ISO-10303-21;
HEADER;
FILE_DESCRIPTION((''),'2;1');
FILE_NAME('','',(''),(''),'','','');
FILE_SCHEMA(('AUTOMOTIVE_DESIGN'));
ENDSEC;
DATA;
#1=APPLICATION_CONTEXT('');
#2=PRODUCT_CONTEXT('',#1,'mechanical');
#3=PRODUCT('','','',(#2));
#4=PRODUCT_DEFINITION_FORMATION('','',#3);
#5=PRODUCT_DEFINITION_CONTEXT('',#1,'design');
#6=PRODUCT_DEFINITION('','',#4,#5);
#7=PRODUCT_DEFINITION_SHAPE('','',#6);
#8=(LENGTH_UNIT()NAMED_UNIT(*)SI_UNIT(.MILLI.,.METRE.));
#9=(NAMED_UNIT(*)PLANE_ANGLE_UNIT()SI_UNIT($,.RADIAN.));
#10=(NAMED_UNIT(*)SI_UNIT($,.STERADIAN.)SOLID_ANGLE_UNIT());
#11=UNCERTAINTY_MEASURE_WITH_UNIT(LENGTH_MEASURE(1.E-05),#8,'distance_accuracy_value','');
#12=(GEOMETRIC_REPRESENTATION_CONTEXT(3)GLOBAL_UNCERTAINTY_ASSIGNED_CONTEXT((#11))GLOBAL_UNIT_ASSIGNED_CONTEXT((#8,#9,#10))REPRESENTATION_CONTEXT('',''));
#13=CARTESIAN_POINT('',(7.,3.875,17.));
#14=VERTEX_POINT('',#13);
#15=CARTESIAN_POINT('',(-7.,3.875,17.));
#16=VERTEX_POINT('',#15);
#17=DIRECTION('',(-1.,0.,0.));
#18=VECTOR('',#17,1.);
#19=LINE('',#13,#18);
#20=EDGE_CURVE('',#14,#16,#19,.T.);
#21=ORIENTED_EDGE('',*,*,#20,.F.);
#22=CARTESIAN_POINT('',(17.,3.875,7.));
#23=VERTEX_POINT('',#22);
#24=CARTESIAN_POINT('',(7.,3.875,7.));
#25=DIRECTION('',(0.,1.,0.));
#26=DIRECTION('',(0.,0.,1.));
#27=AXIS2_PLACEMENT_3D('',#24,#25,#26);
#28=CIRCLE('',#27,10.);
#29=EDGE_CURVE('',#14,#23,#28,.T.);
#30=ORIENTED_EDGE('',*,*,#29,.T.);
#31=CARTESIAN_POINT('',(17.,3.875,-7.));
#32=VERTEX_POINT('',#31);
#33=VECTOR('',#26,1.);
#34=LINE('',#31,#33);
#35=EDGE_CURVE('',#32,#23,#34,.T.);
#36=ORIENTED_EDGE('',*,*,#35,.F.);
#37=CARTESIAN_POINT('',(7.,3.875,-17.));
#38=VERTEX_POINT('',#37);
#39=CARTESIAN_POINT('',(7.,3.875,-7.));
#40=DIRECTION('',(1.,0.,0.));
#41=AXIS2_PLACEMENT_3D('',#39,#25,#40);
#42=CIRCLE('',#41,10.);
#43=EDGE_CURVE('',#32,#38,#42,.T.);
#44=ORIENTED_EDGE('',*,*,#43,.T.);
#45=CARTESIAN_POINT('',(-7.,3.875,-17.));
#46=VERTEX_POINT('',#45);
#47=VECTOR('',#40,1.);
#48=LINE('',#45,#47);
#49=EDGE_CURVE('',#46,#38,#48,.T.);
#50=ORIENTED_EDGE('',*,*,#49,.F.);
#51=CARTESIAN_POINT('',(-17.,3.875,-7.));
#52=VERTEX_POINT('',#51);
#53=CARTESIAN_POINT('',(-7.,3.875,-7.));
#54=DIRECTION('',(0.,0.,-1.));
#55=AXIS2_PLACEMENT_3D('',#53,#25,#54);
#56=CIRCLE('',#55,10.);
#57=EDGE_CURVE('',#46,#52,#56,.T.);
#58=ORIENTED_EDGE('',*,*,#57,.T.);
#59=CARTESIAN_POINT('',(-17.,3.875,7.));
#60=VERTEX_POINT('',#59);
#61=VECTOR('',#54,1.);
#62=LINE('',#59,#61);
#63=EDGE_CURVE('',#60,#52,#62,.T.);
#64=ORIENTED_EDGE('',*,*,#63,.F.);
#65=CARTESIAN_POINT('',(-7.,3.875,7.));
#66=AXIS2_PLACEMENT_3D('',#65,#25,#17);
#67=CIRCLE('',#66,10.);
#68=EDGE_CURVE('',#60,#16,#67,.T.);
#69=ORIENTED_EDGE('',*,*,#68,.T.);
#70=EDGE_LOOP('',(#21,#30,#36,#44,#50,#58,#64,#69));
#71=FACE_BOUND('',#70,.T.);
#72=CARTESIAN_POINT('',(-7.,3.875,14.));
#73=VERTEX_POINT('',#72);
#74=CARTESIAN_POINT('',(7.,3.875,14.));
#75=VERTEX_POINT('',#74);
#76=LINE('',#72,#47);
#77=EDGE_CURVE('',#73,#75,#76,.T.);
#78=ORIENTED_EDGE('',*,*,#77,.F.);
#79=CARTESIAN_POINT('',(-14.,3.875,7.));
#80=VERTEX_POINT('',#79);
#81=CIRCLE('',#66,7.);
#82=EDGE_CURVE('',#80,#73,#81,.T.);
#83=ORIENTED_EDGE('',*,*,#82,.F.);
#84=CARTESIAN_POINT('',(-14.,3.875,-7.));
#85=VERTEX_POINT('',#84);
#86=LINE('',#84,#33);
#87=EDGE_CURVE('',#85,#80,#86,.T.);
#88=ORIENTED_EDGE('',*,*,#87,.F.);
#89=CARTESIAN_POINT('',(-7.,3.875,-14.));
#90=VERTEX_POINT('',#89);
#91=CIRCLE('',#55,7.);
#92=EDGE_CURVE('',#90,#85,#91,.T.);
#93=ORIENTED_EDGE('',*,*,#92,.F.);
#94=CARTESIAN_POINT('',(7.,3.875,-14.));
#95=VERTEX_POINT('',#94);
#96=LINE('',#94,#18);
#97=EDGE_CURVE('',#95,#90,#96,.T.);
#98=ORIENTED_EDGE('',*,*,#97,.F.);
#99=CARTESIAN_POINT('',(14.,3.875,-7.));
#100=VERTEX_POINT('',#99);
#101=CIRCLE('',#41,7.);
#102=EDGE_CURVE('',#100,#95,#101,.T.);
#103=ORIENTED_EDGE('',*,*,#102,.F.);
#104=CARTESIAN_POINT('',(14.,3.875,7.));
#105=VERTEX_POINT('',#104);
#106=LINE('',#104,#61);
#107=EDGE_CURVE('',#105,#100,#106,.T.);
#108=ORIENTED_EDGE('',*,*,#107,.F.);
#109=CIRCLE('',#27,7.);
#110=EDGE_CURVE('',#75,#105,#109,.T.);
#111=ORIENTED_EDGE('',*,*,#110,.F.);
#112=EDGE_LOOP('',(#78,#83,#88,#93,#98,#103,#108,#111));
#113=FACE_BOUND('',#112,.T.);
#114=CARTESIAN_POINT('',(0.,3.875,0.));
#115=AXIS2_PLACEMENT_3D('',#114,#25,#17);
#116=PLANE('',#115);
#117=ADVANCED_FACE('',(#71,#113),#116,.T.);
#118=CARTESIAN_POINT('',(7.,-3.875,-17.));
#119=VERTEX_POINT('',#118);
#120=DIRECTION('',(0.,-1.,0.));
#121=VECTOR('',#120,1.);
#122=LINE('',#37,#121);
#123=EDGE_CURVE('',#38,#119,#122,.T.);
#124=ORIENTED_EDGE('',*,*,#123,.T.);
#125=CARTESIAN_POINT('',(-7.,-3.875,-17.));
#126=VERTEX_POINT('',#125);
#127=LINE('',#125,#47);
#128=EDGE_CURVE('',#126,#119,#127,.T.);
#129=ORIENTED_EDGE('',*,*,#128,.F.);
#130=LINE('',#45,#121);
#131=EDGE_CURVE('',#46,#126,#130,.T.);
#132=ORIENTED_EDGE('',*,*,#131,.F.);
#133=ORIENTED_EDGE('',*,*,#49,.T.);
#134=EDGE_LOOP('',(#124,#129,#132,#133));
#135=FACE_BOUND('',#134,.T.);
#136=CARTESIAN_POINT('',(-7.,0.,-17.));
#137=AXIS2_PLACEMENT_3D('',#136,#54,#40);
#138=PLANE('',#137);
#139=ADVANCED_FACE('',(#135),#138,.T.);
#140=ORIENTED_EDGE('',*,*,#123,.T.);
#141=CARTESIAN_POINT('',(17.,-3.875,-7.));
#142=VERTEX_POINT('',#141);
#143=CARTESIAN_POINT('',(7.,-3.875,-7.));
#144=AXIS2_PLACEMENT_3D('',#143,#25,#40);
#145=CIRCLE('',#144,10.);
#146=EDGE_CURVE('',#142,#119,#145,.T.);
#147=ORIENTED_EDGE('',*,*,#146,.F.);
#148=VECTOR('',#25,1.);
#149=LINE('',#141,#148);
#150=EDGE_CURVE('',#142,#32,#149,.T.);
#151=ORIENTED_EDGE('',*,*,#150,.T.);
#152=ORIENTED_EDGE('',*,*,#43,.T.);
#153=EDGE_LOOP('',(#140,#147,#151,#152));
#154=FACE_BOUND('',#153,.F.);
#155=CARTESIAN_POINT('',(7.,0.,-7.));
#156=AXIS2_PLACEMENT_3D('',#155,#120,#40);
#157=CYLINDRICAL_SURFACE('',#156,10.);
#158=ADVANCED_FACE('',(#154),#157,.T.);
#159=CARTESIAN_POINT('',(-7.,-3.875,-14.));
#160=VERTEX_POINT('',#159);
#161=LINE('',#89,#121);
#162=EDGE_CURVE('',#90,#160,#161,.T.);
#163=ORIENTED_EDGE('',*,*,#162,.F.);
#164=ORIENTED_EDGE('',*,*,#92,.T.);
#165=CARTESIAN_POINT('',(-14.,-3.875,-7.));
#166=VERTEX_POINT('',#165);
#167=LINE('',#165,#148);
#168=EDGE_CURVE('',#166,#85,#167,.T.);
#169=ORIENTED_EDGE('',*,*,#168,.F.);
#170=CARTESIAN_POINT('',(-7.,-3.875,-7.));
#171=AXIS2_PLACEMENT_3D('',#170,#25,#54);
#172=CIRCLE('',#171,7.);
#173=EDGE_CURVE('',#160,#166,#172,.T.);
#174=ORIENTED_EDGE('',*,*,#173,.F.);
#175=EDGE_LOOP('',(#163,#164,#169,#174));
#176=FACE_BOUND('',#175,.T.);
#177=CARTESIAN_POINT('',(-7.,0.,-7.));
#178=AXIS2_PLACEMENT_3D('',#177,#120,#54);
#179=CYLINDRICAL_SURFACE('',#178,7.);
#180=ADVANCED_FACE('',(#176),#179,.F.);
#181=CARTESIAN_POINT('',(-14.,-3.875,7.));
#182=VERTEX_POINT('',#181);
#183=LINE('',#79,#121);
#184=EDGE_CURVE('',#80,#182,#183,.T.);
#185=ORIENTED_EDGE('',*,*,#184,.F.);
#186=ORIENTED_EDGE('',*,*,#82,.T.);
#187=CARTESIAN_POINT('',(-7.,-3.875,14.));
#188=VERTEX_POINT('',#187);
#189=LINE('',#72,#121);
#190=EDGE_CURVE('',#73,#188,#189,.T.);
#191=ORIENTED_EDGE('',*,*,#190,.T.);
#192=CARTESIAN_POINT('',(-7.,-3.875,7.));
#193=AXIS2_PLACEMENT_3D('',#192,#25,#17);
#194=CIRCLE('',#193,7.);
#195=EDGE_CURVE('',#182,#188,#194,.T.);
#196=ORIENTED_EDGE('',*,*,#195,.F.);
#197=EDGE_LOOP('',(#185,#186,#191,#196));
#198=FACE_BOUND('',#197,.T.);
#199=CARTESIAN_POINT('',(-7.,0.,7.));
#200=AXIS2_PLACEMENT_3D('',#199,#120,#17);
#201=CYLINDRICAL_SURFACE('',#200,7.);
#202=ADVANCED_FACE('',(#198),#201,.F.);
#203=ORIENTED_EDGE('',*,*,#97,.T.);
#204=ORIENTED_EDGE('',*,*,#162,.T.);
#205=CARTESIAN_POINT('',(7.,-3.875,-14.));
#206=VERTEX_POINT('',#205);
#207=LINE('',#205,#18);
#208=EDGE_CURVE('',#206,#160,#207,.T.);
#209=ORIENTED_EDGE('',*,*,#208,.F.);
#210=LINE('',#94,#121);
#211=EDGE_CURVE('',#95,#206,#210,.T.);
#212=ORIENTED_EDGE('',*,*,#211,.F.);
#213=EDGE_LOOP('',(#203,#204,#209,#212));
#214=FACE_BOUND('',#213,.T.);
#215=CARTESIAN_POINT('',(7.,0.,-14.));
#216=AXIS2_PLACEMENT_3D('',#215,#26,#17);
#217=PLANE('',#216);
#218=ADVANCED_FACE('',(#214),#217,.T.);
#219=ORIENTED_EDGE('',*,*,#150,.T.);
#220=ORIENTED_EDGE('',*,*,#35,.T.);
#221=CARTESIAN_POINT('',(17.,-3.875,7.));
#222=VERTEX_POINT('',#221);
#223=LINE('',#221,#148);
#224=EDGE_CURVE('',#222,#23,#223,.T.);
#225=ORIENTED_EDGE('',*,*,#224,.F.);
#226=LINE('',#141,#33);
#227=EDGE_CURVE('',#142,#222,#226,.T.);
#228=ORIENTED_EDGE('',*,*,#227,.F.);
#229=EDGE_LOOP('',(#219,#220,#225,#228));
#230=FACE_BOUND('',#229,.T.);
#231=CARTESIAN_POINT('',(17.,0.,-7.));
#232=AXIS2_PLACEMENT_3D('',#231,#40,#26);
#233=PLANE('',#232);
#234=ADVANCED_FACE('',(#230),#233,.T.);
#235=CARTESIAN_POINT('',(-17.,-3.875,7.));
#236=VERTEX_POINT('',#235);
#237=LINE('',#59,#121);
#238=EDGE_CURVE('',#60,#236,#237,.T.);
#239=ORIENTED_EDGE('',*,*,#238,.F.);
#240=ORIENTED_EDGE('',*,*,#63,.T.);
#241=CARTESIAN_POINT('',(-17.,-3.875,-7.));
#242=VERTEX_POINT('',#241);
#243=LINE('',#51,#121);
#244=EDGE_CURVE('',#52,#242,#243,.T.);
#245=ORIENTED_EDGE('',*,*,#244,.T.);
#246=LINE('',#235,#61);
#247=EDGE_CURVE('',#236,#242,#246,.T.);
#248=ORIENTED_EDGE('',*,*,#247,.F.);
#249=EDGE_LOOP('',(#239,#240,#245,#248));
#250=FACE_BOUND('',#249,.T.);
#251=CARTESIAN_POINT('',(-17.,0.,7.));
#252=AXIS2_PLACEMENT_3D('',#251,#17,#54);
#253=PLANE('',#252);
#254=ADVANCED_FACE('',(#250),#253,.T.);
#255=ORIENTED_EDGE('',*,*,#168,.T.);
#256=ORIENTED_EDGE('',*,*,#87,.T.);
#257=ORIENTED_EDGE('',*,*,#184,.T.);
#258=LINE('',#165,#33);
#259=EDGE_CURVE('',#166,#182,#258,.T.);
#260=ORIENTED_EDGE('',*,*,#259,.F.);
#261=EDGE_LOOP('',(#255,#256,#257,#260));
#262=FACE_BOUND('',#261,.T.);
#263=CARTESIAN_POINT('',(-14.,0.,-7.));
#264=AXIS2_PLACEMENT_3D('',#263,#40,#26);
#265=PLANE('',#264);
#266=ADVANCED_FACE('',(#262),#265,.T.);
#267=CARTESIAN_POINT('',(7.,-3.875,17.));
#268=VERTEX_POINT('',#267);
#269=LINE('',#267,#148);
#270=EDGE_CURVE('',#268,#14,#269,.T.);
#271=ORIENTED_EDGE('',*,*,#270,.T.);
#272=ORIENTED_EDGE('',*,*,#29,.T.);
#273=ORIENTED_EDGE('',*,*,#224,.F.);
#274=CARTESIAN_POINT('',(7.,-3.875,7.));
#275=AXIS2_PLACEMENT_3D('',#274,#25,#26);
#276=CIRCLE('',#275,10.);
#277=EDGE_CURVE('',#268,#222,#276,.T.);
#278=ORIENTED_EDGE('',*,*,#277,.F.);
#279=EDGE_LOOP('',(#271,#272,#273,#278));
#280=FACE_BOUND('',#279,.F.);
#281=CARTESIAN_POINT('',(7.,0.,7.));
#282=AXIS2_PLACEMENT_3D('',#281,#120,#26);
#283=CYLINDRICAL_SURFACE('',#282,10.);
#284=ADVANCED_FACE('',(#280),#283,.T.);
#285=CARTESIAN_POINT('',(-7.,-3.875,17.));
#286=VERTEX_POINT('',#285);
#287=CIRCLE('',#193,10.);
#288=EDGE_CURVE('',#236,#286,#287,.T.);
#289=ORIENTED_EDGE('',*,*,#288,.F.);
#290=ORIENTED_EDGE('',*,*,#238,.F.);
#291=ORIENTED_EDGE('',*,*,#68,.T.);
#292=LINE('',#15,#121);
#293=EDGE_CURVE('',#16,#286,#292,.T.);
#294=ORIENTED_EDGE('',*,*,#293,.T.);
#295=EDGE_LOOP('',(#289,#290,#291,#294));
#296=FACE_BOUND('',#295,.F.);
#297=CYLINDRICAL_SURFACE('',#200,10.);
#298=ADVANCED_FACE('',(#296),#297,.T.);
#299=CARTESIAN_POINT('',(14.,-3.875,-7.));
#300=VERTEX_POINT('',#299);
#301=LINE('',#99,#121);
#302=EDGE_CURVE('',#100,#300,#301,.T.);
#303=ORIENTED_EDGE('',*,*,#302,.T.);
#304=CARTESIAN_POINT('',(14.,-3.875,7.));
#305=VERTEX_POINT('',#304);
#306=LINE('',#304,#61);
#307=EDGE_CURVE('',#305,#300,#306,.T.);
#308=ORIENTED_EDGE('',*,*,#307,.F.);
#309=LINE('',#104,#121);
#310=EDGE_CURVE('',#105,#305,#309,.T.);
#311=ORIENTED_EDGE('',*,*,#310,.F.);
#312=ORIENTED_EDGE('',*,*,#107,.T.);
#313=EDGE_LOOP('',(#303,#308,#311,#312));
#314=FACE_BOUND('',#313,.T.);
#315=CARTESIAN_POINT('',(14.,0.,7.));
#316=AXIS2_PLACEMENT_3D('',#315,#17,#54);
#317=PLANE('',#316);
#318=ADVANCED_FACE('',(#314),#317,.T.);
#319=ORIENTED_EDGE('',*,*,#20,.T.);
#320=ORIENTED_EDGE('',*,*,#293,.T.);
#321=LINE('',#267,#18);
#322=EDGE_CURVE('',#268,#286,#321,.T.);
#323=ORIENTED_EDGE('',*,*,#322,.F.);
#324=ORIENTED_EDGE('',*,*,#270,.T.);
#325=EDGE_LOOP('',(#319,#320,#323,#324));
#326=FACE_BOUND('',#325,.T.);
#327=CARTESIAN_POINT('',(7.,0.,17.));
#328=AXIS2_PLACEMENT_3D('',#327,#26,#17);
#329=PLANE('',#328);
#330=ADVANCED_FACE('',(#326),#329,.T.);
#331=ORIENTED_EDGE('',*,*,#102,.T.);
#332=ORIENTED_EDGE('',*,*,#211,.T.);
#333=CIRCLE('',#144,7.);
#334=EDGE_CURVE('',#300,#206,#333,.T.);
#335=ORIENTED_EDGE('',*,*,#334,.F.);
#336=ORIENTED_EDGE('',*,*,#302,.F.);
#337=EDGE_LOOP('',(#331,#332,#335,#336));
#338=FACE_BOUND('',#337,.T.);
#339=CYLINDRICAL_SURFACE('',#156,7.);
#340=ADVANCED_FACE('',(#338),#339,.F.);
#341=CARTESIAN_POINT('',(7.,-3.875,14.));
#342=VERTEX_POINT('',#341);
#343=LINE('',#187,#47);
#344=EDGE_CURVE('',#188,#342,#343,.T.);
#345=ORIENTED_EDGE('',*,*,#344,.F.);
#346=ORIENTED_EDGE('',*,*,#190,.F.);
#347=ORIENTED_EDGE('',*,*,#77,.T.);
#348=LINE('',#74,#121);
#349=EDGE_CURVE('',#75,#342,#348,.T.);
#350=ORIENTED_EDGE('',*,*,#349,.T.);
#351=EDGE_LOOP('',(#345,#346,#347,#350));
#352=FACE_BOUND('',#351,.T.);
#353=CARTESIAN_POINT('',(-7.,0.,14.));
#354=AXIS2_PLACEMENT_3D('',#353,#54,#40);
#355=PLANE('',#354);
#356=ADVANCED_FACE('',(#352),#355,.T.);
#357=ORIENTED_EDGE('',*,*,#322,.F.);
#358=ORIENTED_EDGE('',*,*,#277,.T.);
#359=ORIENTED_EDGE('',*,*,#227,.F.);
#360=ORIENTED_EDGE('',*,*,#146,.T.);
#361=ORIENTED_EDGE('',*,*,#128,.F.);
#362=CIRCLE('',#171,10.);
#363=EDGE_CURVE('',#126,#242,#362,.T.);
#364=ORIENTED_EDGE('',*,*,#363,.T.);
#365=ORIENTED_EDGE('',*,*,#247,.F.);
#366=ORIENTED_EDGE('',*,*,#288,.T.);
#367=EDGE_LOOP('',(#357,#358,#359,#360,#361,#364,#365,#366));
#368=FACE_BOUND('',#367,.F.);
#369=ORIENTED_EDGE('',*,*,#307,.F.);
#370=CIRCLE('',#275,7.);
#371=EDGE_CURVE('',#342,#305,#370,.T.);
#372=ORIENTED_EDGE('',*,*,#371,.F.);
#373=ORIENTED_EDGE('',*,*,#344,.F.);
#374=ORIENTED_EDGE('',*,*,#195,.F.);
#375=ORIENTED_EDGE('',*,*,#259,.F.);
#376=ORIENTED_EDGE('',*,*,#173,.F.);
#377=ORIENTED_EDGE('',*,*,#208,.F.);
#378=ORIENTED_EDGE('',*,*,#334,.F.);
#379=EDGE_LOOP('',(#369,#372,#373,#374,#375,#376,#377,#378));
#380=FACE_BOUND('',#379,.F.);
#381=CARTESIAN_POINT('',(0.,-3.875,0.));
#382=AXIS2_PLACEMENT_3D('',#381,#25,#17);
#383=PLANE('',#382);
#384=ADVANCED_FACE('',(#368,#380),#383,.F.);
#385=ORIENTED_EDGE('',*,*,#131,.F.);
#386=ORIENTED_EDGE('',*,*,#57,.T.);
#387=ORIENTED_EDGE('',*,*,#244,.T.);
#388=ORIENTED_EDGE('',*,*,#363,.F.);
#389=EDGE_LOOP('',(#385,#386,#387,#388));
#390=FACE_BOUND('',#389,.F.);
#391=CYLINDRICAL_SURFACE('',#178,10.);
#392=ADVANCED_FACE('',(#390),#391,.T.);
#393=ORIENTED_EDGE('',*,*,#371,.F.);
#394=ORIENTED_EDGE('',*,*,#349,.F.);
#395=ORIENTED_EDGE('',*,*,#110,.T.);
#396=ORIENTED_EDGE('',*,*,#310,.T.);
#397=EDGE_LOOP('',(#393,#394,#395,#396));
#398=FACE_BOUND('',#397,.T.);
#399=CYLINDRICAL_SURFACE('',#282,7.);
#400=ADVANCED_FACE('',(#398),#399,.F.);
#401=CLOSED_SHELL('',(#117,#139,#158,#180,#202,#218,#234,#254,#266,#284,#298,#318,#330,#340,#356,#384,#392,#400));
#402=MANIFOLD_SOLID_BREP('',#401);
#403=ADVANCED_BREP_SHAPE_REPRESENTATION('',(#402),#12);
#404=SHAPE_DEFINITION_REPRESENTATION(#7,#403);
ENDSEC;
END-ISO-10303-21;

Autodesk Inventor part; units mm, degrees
ref_plane "YZ Plane" through (0, 0, 0) normal (1, 0, 0) x (0, 1, 0)
ref_plane "XZ Plane" through (0, 0, 0) normal (0, 1, 0) x (-1, 0, 0)
ref_plane "XY Plane" through (0, 0, 0) normal (0, 0, 1) x (1, 0, 0)
sketch "Sketch1" plane through (0, 0, 0) normal (0, 1, 0) x (-1, 0, 0)
  line L0 (-7, 17) -> (7, 17)
  line L1 (17, 7) -> (17, -7)
  line L2 (7, -17) -> (-7, -17)
  line L3 (-17, -7) -> (-17, 7)
  line L4 (-17, 17) -> (17, -17) construction
  line L5 (17, 17) -> (-17, -17) construction
  arc A0 (7, -17) -> (17, -7) centre (7, -7) ccw
  arc A1 (-17, -7) -> (-7, -17) centre (-7, -7) ccw
  arc A2 (-7, 17) -> (-17, 7) centre (-7, 7) ccw
  arc A3 (17, 7) -> (7, 17) centre (7, 7) ccw
  line L6 (14, -7) -> (14, 7)
  arc A4 (14, 7) -> (7, 14) centre (7, 7) ccw
  line L7 (7, 14) -> (-7, 14)
  arc A5 (-7, 14) -> (-14, 7) centre (-7, 7) ccw
  line L8 (-14, 7) -> (-14, -7)
  arc A6 (-14, -7) -> (-7, -14) centre (-7, -7) ccw
  line L9 (-7, -14) -> (7, -14)
  arc A7 (7, -14) -> (14, -7) centre (7, -7) ccw
  point P0 (0, 0)
  dimension "d0" = 34
  dimension "d1" = 10
  dimension "d2" = 3
extrude "Extrusion1" add sketch "Sketch1" along normal mid plane 7.75
properties part number "tenzo"
